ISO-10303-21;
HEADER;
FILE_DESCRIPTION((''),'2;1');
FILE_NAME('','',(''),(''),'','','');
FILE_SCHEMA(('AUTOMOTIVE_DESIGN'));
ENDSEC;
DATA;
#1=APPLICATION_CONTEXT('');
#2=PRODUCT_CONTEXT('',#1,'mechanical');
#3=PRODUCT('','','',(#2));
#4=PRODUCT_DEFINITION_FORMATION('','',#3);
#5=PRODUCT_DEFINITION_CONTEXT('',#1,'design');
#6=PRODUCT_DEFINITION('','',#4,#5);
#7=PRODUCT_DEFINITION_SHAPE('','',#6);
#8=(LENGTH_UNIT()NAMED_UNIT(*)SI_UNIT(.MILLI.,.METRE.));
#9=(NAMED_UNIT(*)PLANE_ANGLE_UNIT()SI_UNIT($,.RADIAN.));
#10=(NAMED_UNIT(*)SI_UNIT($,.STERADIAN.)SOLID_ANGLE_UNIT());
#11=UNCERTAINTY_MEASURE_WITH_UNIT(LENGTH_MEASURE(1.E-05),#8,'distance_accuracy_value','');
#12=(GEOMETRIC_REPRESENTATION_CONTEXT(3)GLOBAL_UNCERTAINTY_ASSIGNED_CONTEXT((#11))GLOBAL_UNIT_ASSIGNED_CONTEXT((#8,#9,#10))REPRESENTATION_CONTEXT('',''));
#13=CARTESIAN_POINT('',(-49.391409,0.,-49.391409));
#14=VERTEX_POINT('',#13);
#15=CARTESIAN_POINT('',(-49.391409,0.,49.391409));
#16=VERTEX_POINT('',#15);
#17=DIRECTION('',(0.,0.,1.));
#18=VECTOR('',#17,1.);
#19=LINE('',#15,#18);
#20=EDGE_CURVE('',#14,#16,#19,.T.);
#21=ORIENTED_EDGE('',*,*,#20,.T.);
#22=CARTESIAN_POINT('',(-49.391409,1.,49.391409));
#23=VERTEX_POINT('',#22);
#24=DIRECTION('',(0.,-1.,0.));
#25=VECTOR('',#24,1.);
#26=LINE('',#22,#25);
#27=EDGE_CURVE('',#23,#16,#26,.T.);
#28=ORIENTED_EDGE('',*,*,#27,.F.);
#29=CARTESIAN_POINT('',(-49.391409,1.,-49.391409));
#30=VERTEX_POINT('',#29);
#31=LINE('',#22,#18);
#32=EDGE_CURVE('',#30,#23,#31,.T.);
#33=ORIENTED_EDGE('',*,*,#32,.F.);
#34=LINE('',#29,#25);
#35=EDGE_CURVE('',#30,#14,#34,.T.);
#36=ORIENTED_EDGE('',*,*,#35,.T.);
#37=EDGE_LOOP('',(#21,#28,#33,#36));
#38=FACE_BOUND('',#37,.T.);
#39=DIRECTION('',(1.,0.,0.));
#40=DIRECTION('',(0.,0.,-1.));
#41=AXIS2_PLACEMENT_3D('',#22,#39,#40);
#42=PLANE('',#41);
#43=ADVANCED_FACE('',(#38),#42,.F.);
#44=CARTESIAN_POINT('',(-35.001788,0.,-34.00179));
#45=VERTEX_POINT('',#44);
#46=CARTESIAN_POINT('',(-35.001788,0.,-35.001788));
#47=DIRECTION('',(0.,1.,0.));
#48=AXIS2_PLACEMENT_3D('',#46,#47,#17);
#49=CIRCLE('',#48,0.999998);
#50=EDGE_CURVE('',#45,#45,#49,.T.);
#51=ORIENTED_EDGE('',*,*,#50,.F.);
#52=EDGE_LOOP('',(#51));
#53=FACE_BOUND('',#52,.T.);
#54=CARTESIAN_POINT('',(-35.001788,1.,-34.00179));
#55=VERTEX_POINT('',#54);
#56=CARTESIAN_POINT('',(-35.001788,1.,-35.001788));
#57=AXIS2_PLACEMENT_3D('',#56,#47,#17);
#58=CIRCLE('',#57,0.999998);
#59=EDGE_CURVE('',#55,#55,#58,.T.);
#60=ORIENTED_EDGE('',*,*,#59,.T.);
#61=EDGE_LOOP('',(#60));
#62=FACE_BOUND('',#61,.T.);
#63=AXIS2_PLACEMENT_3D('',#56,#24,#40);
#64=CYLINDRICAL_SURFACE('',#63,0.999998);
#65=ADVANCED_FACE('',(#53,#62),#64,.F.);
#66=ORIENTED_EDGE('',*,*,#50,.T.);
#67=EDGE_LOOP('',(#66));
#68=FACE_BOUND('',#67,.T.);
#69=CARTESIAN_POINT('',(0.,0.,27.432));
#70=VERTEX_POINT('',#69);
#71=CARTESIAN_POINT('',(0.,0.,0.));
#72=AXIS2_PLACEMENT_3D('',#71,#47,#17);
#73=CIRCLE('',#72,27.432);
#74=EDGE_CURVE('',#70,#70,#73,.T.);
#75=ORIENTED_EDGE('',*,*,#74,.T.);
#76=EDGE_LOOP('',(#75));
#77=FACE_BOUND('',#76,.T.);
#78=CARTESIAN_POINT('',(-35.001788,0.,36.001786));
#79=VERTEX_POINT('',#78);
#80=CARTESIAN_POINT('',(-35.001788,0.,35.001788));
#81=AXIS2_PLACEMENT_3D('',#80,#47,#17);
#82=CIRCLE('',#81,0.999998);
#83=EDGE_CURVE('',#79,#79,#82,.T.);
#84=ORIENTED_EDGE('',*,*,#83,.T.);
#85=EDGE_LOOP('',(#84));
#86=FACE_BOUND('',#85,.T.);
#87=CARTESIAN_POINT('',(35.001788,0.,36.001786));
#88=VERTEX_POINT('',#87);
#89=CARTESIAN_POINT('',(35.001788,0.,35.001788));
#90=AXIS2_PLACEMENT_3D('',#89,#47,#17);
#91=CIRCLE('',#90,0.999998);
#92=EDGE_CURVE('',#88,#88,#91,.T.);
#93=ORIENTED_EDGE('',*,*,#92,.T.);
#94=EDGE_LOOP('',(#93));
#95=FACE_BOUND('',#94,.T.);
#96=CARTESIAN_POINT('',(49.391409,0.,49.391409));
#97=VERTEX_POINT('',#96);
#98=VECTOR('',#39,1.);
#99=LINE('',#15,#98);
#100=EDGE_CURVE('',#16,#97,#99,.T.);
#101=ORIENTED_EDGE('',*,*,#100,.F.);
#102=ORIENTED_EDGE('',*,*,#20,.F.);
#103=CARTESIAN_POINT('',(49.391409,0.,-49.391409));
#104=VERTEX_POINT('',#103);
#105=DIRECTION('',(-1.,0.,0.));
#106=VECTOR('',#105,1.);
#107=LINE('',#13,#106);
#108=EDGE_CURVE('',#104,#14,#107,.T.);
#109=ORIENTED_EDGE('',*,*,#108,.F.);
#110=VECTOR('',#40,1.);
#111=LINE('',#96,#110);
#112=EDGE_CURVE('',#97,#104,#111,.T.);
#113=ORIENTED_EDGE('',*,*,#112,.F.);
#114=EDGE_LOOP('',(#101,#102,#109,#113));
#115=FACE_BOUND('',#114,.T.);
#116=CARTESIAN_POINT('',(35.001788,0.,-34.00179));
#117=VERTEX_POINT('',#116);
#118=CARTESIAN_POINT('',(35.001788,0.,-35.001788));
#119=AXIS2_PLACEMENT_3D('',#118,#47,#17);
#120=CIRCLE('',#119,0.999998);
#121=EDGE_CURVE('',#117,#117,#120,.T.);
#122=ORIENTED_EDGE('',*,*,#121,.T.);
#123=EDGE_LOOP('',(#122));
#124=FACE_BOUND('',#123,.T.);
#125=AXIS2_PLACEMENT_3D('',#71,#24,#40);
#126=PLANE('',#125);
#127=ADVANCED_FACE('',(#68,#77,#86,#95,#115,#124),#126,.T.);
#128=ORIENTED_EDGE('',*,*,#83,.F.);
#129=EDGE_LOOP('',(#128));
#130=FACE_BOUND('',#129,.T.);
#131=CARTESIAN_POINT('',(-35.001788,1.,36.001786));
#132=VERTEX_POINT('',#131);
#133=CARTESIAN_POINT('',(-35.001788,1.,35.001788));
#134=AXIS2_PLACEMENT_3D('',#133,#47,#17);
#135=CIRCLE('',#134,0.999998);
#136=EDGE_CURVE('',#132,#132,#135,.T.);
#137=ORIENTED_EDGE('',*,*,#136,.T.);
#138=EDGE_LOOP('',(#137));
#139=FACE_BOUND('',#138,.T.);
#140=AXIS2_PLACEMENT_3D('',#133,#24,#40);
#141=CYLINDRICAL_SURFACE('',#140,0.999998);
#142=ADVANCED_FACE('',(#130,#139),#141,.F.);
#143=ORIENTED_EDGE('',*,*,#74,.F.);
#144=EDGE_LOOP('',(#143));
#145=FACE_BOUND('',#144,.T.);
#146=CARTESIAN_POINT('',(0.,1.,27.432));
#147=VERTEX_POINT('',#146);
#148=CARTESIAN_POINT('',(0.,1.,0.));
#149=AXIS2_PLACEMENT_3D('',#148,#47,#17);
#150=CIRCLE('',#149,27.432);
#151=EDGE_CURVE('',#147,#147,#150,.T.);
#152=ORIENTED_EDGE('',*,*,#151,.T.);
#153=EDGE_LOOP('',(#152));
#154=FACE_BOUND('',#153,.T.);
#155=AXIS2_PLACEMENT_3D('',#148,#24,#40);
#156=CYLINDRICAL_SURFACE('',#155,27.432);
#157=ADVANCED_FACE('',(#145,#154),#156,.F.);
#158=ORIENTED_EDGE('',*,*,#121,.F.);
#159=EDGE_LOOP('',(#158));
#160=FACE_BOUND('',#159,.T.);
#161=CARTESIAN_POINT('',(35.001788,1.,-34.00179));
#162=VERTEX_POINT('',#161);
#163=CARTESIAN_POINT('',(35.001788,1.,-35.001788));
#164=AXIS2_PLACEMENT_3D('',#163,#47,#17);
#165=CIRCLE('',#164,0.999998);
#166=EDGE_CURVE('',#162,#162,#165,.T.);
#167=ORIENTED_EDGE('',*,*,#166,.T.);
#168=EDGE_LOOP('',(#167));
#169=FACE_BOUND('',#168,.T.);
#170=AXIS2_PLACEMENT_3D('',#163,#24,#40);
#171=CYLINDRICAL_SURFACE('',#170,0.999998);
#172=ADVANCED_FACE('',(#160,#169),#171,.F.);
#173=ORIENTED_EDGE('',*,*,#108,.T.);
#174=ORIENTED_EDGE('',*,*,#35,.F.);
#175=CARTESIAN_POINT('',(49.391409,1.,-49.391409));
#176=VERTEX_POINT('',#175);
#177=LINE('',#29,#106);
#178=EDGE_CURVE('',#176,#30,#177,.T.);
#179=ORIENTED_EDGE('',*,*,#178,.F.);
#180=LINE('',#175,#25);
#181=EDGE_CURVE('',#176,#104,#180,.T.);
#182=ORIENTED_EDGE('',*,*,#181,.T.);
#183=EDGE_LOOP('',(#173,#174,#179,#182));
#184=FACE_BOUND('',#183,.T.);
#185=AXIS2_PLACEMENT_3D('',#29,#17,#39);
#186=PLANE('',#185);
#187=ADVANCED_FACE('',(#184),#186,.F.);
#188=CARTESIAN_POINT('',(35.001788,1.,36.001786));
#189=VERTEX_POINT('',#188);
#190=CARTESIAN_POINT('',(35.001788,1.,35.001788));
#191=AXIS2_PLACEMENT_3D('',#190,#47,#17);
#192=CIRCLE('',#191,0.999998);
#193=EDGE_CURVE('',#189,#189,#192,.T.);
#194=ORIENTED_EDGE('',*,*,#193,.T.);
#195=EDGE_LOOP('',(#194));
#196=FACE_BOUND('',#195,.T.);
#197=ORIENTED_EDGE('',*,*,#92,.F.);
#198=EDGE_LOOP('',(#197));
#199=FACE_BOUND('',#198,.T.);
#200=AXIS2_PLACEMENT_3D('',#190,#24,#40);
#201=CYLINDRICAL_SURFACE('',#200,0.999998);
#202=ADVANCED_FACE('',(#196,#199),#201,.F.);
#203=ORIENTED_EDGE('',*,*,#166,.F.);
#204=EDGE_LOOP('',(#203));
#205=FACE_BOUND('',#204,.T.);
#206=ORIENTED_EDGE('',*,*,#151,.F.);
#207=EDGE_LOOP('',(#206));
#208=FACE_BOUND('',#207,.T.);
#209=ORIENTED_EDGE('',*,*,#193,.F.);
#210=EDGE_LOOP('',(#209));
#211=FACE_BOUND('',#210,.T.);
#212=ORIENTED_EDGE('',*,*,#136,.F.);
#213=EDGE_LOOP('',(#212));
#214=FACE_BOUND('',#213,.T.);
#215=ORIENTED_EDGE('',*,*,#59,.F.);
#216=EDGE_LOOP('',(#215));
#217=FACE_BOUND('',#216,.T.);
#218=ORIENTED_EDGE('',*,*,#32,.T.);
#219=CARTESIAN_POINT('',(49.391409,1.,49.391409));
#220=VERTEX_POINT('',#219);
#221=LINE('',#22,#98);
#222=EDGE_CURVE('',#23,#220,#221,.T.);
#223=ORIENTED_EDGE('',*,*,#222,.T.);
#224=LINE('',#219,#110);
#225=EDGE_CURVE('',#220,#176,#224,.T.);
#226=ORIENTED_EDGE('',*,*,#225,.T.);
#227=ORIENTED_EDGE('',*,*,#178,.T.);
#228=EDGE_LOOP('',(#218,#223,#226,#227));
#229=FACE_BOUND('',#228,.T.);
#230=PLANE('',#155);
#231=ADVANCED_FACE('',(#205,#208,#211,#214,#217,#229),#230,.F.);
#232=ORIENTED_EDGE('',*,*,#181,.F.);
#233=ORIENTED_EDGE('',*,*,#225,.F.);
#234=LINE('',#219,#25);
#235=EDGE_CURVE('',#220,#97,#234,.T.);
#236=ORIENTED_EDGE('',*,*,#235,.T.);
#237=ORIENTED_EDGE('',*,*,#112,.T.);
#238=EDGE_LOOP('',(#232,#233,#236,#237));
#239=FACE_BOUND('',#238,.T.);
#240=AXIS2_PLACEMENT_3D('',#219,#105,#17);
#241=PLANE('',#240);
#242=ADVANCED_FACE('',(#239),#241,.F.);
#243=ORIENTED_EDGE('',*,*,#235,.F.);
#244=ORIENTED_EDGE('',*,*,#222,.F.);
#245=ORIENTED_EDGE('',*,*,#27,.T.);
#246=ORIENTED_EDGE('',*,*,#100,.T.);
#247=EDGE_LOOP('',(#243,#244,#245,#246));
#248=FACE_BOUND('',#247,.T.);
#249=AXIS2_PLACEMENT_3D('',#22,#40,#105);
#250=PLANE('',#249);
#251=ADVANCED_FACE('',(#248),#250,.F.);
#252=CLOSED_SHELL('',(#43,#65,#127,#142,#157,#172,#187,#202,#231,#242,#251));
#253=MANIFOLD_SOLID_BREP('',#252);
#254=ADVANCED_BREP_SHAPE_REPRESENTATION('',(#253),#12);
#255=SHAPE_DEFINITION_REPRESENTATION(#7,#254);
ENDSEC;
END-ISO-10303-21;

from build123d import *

# Parameters (mm, degrees)
SKETCH1_W           = 98.782817332
SKETCH1_H           = 98.782817332
BOSS_EXTRUDE1_DEPTH = 1.000000032
SKETCH3_R           = 0.999998
CUT_EXTRUDE2_DEPTH  = 2.000000032
SKETCH8_R           = 27.432
CUT_EXTRUDE9_DEPTH  = 2.000000032


with BuildPart() as part:
    # Sketch1 → Boss-Extrude1 (new body)
    with BuildSketch(Plane(origin=(0, 0, 0), x_dir=(1, 0, 0), z_dir=(0, 1, 0))):
        Rectangle(SKETCH1_W, SKETCH1_H)
    extrude(amount=BOSS_EXTRUDE1_DEPTH)

    # Sketch3 → Cut-Extrude2 (cut, through all)
    with BuildSketch(Plane(origin=(0, 0, 0), x_dir=(1, 0, 0), z_dir=(0, 1, 0))):
        with Locations((35.001787507, 35.001787507)):
            Circle(SKETCH3_R)
        with Locations((35.001787507, -35.001787507)):
            Circle(SKETCH3_R)
        with Locations((-35.001787507, -35.001787507)):
            Circle(SKETCH3_R)
        with Locations((-35.001787507, 35.001787507)):
            Circle(SKETCH3_R)
    extrude(amount=CUT_EXTRUDE2_DEPTH, mode=Mode.SUBTRACT)

    # Sketch8 → Cut-Extrude9 (cut, through all)
    with BuildSketch(Plane(origin=(0, 0, 0), x_dir=(1, 0, 0), z_dir=(0, 1, 0))):
        Circle(SKETCH8_R)
    extrude(amount=CUT_EXTRUDE9_DEPTH, mode=Mode.SUBTRACT)


solid = part.part
